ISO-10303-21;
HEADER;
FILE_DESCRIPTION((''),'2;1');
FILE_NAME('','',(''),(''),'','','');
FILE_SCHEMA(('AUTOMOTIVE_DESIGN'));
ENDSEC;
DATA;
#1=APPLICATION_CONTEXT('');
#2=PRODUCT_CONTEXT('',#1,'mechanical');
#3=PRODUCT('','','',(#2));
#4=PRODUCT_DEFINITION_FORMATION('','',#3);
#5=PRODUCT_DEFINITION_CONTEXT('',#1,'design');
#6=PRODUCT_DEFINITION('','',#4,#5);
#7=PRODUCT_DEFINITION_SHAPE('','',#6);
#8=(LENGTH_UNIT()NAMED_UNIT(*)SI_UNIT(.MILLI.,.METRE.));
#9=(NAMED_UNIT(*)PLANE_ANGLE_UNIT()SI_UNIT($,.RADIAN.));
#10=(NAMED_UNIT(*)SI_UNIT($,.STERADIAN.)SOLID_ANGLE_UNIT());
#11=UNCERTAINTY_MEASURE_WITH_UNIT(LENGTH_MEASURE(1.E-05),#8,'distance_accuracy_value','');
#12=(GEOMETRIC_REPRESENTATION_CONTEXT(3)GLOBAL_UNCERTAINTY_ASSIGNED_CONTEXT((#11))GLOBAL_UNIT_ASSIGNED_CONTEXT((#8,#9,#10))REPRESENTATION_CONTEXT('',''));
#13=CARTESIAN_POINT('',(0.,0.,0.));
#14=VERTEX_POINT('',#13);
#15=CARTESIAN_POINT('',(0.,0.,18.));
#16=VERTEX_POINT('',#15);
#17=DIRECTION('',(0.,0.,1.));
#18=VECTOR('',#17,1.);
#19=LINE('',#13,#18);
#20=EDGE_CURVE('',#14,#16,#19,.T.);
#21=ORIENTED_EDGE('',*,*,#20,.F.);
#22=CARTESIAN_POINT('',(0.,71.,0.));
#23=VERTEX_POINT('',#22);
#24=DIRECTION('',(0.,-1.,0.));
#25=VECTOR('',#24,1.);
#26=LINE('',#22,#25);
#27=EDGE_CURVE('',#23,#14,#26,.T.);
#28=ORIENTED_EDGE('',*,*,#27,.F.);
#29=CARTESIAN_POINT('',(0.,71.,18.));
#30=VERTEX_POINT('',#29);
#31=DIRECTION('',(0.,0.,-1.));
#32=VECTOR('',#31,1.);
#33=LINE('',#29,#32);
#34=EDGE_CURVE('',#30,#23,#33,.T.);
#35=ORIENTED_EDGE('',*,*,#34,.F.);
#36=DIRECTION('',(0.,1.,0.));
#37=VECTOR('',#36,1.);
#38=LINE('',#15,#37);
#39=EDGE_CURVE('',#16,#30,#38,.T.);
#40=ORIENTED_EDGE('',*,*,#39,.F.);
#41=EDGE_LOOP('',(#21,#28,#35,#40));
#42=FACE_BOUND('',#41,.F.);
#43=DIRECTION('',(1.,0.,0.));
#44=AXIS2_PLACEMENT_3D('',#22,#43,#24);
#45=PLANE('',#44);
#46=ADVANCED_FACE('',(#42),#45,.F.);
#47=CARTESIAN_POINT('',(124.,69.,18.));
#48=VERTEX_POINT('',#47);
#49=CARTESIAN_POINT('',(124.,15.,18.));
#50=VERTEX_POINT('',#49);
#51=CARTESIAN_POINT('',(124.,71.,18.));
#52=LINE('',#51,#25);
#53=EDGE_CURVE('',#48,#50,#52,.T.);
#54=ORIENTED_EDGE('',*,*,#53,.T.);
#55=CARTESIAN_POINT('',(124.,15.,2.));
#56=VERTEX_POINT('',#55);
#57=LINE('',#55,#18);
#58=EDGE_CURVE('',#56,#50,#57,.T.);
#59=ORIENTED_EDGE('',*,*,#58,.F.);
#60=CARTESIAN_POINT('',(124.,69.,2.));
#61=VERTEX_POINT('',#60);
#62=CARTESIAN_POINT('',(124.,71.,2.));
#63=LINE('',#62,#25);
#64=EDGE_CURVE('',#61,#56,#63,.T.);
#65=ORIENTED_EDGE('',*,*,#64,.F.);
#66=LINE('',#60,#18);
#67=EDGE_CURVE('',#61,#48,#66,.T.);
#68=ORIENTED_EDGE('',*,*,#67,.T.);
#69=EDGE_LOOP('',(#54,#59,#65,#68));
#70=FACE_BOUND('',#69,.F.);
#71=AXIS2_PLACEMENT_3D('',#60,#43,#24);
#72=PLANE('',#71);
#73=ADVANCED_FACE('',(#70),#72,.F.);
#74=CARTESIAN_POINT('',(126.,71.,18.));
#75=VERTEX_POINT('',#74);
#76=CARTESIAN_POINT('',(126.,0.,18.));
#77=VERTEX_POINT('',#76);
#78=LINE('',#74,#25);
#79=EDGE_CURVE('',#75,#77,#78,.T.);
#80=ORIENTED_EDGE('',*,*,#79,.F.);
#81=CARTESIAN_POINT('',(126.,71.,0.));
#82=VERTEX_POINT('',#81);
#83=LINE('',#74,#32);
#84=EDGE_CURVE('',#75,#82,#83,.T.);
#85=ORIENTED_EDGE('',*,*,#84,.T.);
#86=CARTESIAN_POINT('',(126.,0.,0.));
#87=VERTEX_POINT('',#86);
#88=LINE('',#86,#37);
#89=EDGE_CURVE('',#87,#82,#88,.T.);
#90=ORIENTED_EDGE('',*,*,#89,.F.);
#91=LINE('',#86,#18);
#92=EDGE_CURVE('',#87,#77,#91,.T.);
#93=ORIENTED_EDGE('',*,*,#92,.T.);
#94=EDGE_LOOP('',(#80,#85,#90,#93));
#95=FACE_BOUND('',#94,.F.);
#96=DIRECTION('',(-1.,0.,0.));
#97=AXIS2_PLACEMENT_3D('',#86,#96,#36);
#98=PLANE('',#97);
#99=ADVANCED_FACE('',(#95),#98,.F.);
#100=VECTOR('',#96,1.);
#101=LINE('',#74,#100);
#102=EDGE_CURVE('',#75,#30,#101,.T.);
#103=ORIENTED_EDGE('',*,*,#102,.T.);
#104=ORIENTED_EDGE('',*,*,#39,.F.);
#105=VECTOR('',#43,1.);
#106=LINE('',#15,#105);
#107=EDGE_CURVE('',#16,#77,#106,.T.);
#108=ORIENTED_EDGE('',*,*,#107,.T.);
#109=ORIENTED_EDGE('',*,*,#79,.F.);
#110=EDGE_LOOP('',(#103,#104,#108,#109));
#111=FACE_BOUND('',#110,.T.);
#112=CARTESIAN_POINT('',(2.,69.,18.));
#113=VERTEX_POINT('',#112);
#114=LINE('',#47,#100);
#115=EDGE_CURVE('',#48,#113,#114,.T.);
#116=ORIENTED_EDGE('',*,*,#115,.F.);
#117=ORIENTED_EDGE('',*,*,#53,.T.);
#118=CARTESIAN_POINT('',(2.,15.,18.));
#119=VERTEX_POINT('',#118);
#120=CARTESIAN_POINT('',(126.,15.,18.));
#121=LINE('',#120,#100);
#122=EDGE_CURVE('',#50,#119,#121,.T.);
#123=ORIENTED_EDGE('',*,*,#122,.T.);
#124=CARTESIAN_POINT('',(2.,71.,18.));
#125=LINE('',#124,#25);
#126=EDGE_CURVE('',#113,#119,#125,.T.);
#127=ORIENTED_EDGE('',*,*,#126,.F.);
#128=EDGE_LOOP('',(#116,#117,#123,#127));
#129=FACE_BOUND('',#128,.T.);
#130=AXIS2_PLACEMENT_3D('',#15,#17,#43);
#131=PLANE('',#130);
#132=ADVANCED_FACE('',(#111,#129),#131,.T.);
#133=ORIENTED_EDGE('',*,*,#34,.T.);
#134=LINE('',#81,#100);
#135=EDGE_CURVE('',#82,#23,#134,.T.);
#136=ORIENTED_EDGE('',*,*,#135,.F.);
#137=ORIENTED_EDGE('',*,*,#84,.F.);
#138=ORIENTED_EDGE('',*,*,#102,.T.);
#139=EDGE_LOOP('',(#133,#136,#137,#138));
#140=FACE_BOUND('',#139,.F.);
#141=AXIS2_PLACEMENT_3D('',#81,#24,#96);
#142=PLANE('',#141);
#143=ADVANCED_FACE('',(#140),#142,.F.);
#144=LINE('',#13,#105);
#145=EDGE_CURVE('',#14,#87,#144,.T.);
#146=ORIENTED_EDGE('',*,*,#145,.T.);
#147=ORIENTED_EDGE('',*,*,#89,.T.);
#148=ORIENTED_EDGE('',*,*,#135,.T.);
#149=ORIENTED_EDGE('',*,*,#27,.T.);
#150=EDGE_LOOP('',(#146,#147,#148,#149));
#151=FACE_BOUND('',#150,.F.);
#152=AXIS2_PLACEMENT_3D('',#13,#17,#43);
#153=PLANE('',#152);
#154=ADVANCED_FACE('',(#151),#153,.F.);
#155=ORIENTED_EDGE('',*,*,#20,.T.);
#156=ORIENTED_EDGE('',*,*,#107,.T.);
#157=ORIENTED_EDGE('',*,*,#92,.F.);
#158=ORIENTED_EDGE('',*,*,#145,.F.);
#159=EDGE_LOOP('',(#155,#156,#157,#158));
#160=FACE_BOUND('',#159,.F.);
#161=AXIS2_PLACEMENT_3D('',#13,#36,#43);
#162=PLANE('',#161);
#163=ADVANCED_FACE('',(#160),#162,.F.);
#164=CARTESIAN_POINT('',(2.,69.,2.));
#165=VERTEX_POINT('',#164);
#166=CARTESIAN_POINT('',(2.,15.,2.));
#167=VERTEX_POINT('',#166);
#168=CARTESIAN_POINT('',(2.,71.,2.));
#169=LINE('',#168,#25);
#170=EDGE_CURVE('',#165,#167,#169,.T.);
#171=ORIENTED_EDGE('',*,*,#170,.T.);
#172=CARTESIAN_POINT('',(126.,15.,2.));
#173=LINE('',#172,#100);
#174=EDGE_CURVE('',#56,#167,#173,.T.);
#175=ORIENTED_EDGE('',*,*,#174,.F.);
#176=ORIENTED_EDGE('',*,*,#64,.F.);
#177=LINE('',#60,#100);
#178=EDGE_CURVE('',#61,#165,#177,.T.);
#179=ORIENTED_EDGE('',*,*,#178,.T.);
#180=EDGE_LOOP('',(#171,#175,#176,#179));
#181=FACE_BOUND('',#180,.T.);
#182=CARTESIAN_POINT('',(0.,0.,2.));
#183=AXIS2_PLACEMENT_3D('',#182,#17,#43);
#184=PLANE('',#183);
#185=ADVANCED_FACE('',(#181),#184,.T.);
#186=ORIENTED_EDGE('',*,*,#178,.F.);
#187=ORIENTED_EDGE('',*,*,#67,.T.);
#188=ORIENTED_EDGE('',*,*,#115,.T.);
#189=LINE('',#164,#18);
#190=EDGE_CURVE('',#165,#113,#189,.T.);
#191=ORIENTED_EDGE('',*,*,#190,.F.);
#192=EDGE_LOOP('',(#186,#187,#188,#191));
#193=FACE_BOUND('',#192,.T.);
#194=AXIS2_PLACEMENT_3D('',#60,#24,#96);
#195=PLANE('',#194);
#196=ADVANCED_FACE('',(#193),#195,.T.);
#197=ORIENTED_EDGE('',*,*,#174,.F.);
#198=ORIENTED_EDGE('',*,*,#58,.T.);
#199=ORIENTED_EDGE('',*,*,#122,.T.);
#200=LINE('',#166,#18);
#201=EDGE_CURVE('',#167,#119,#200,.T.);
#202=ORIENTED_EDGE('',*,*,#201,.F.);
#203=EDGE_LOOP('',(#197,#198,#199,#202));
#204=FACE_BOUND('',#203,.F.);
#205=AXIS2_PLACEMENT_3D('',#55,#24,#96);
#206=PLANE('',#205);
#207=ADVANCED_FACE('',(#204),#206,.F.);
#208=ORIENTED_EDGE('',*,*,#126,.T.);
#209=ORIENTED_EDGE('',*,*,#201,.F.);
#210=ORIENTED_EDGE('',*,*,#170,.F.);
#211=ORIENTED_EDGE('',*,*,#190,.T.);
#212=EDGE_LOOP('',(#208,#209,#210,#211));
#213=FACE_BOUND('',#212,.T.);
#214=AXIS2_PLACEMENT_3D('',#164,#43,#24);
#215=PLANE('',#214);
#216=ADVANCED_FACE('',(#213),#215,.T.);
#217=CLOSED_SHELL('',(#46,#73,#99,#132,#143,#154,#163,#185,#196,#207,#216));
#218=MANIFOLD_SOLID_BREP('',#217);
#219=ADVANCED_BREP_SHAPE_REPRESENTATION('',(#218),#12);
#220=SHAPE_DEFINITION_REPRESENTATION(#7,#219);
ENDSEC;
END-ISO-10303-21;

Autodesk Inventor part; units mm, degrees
ref_plane "YZ Plane" through (0, 0, 0) normal (1, 0, 0) x (0, 1, 0)
ref_plane "XZ Plane" through (0, 0, 0) normal (0, 1, 0) x (-1, 0, 0)
ref_plane "XY Plane" through (0, 0, 0) normal (0, 0, 1) x (1, 0, 0)
sketch "Sketch1" plane through (0, 0, 0) normal (0, 0, 1) x (1, 0, 0)
  line L0 (0, 0) -> (126, 0)
  line L1 (126, 0) -> (126, 71)
  line L2 (126, 71) -> (0, 71)
  line L3 (0, 71) -> (0, 0)
  dimension "d0" = 126
  dimension "d1" = 71
extrude "Extrusion1" add sketch "Sketch1" along normal blind 2
sketch "Sketch2" plane through (0, 0, 2) normal (0, 0, 1) x (1, 0, 0)
  line L0 (126, 0) -> (126, 71) projected
  line L1 (0, 0) -> (126, 0)
  line L2 (126, 0) -> (126, 15)
  line L3 (126, 15) -> (0, 15)
  line L4 (0, 15) -> (0, 0)
  line L5 (0, 71) -> (2, 71)
  line L6 (2, 71) -> (2, 15)
  line L7 (2, 15) -> (0, 15)
  line L8 (0, 15) -> (0, 71)
  line L9 (126, 71) -> (124, 71)
  line L10 (124, 71) -> (124, 15)
  line L11 (124, 15) -> (126, 15)
  line L12 (126, 15) -> (126, 71)
  line L13 (2, 71) -> (124, 71)
  line L14 (124, 71) -> (124, 69)
  line L15 (124, 69) -> (2, 69)
  line L16 (2, 69) -> (2, 71)
  dimension "d4" = 15
  dimension "d7" = 2
  dimension "d8" = 2
  dimension "d9" = 2
  dimension "d11" = 122
  dimension "d14" = 54
extrude "Extrusion3" add sketch "Sketch2" along normal blind 16 contours L1 L4 L3 L0 | L3 L10 L9 L0 | L8 L5 L6 L3 | L10 L15 L6 L13
properties part number "Battery Case Bottom" material "ABS Plastic"
